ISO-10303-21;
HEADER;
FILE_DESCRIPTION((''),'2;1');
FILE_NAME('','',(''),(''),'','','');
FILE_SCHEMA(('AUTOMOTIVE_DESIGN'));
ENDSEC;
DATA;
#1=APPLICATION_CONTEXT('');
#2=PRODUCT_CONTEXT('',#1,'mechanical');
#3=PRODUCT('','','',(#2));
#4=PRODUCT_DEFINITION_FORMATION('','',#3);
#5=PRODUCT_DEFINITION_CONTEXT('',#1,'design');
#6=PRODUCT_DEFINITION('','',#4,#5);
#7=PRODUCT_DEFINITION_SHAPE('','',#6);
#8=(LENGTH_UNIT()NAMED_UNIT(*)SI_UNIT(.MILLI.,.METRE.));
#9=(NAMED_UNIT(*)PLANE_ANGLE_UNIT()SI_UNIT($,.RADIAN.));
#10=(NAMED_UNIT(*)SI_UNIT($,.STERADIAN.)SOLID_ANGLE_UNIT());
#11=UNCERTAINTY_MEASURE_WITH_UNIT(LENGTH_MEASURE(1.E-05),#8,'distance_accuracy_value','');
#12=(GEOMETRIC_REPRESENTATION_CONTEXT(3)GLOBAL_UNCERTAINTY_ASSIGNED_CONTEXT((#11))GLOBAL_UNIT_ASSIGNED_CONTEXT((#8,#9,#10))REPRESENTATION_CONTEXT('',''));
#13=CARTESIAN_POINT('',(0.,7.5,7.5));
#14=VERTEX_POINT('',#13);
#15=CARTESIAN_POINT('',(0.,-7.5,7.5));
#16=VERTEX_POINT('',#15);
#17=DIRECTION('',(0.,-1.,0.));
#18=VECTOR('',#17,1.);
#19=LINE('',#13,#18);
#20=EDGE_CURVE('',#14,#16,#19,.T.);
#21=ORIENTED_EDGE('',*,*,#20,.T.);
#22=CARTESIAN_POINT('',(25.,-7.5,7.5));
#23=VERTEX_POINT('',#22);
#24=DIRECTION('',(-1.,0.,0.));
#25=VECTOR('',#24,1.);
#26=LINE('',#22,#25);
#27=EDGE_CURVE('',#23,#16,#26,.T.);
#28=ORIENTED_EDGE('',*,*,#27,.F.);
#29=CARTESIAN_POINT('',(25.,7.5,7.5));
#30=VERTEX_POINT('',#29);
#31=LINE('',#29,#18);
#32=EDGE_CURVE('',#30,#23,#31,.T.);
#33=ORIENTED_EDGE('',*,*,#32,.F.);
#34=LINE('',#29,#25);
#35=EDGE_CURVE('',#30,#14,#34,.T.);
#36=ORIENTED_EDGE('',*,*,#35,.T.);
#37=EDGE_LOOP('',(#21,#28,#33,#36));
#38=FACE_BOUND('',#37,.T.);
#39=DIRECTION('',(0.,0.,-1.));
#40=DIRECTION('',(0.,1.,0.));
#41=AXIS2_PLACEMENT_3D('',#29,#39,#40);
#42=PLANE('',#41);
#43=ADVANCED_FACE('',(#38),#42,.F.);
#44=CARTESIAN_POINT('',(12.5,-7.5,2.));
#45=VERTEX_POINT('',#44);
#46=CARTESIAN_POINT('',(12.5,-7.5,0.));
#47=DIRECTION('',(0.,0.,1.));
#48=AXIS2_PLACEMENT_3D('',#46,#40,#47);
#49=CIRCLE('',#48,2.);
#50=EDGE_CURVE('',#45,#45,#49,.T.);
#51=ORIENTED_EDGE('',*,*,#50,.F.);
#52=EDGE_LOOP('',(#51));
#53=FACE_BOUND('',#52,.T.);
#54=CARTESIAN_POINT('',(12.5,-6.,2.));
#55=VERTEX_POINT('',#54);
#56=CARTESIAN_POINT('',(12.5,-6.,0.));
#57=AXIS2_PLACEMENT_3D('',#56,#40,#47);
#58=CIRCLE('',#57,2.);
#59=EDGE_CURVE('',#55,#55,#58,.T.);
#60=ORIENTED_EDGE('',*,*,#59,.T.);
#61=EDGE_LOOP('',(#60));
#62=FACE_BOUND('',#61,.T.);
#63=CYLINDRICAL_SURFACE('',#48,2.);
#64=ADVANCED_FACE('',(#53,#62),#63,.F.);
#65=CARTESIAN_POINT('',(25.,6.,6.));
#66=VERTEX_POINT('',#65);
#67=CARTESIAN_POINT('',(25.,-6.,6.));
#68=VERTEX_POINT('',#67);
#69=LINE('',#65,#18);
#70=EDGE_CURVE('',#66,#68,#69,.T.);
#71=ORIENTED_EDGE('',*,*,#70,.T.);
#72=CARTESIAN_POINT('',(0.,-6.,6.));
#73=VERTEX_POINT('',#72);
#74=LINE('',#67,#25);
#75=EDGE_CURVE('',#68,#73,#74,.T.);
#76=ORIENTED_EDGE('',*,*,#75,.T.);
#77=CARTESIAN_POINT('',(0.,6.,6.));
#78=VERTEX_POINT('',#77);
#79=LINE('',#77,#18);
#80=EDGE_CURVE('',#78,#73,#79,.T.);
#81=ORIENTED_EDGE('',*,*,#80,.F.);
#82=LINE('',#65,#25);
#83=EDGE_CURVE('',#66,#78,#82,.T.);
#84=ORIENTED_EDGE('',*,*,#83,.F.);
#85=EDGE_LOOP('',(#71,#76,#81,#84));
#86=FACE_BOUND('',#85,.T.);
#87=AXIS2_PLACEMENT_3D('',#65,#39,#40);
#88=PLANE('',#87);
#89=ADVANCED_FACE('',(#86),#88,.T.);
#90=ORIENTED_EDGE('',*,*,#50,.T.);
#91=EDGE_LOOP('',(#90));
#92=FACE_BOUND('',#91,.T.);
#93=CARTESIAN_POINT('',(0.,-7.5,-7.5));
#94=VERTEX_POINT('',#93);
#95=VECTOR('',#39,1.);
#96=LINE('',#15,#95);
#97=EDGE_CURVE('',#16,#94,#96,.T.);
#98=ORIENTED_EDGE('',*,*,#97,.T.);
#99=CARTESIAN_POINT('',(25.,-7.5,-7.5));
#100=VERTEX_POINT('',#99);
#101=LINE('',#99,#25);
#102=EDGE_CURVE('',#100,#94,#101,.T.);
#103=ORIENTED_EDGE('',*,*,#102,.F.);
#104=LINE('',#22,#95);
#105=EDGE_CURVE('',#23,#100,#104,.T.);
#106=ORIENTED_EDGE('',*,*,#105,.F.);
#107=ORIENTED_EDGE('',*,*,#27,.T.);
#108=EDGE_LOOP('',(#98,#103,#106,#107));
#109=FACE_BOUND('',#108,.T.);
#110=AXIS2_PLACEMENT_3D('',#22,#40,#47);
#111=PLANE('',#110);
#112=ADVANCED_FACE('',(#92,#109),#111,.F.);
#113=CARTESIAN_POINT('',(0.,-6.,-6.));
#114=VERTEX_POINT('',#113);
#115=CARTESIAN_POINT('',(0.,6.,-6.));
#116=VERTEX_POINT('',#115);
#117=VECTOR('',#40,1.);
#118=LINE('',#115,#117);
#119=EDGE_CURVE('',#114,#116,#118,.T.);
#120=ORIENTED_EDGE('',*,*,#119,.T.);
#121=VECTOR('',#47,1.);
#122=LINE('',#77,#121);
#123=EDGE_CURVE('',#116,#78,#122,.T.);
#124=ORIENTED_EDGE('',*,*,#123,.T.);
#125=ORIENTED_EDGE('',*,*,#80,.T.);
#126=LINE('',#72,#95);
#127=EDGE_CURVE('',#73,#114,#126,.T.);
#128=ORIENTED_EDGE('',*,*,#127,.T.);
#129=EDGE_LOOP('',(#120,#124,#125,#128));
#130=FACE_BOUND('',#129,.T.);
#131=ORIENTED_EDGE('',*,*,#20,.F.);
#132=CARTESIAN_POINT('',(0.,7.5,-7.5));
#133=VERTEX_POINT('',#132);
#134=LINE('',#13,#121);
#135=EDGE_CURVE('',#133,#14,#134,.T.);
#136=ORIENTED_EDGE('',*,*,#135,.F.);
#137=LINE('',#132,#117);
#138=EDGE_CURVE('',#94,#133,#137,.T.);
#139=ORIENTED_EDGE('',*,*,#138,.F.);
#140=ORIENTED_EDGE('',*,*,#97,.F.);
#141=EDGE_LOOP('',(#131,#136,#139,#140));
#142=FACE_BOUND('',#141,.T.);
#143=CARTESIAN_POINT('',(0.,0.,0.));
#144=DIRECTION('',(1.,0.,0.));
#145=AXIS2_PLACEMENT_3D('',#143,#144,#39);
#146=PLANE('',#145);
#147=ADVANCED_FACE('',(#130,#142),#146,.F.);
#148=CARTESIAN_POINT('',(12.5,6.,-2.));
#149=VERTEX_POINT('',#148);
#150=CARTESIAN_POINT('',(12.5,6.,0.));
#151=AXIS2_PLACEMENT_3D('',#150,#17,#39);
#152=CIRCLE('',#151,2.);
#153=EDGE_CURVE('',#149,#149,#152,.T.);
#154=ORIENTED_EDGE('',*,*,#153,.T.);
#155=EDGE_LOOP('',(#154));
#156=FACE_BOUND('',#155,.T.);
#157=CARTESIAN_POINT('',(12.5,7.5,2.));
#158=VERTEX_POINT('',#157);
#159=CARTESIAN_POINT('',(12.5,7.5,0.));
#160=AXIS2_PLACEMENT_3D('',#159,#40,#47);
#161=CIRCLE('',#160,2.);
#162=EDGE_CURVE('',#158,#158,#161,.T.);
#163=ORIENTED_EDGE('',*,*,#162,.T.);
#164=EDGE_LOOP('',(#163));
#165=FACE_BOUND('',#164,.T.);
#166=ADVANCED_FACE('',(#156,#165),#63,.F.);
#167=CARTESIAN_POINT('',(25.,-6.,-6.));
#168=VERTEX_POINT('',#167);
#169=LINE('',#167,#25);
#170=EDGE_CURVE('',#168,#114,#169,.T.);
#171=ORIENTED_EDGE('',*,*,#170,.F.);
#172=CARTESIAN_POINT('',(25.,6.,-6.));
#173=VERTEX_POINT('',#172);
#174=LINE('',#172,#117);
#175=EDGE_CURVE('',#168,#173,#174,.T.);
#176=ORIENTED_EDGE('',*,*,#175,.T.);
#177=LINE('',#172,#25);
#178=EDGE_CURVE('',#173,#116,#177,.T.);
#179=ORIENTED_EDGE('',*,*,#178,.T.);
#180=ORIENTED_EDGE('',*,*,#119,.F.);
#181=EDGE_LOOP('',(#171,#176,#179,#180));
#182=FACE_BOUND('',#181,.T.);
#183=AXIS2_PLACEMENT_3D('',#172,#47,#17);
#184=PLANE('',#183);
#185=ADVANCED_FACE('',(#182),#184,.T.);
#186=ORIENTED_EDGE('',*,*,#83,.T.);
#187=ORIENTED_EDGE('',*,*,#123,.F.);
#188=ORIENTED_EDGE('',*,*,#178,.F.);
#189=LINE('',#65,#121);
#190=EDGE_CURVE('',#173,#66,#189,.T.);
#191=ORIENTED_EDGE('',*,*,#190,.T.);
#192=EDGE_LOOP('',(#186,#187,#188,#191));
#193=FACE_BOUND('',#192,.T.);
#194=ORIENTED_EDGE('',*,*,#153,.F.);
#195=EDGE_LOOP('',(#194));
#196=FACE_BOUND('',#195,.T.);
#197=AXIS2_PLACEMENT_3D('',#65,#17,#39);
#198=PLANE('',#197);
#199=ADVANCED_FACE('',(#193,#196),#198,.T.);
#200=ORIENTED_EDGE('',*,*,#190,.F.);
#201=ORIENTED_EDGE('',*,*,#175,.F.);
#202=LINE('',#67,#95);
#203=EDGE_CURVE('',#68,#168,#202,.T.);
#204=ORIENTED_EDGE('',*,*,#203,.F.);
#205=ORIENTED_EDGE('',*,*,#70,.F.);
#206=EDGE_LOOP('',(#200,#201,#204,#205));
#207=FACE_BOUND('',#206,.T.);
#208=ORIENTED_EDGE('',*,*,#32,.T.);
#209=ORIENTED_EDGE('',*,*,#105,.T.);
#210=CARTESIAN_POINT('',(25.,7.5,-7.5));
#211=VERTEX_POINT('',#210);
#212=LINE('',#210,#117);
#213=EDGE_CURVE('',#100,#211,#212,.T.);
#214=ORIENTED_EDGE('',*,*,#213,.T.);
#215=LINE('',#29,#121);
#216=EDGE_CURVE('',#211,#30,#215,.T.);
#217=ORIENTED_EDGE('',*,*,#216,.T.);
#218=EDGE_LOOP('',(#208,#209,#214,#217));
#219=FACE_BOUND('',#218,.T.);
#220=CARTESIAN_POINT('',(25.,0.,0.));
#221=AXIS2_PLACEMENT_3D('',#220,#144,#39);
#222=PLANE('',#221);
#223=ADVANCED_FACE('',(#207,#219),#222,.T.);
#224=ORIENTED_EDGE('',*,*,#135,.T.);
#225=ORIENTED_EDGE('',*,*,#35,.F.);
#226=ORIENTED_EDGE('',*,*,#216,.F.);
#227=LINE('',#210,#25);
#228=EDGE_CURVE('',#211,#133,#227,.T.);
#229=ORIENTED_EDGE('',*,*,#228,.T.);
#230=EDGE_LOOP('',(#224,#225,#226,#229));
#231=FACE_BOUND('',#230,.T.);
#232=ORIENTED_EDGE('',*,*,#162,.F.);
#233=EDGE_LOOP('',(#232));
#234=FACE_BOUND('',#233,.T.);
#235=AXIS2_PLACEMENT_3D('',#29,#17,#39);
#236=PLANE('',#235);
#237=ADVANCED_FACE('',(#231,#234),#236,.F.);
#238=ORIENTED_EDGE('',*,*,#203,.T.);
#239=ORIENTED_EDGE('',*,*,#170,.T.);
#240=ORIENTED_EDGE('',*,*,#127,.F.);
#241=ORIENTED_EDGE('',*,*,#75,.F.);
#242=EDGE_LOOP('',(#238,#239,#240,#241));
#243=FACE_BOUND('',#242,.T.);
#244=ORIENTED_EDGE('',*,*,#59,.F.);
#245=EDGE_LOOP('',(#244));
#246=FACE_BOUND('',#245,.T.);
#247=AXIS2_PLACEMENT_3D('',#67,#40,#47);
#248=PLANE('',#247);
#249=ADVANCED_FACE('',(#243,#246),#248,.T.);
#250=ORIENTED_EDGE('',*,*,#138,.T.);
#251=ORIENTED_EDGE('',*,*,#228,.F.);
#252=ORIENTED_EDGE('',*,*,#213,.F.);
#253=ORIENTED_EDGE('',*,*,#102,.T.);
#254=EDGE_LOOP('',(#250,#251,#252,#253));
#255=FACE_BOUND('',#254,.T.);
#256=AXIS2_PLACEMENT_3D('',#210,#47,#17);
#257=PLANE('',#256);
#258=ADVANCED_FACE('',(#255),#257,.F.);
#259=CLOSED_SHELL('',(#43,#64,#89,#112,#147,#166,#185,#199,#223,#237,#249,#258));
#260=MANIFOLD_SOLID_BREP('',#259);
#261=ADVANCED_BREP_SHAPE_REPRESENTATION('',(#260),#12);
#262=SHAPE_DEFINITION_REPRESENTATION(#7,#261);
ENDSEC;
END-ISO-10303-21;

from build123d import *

# Parameters (mm, degrees)
SKETCH1_W           = 15
SKETCH1_H           = 15
SKETCH1_W_2         = 12
SKETCH1_H_2         = 12
BOSS_EXTRUDE1_DEPTH = 25
SKETCH2_R           = 2
CUT_EXTRUDE1_DEPTH  = 16


with BuildPart() as part:
    # Sketch1 → Boss-Extrude1 (new body)
    with BuildSketch(Plane(origin=(0, 0, 0), x_dir=(0, 0, -1), z_dir=(1, 0, 0))):
        Rectangle(SKETCH1_W, SKETCH1_H)
        Rectangle(SKETCH1_W_2, SKETCH1_H_2, mode=Mode.SUBTRACT)
    extrude(amount=BOSS_EXTRUDE1_DEPTH)

    # Sketch2 → Cut-Extrude1 (cut, through all)
    with BuildSketch(Plane(origin=(0, 7.5, 0), x_dir=(1, 0, 0), z_dir=(0, 1, 0))):
        with Locations((12.5, 0)):
            Circle(SKETCH2_R)
    extrude(amount=-CUT_EXTRUDE1_DEPTH, mode=Mode.SUBTRACT)


solid = part.part
